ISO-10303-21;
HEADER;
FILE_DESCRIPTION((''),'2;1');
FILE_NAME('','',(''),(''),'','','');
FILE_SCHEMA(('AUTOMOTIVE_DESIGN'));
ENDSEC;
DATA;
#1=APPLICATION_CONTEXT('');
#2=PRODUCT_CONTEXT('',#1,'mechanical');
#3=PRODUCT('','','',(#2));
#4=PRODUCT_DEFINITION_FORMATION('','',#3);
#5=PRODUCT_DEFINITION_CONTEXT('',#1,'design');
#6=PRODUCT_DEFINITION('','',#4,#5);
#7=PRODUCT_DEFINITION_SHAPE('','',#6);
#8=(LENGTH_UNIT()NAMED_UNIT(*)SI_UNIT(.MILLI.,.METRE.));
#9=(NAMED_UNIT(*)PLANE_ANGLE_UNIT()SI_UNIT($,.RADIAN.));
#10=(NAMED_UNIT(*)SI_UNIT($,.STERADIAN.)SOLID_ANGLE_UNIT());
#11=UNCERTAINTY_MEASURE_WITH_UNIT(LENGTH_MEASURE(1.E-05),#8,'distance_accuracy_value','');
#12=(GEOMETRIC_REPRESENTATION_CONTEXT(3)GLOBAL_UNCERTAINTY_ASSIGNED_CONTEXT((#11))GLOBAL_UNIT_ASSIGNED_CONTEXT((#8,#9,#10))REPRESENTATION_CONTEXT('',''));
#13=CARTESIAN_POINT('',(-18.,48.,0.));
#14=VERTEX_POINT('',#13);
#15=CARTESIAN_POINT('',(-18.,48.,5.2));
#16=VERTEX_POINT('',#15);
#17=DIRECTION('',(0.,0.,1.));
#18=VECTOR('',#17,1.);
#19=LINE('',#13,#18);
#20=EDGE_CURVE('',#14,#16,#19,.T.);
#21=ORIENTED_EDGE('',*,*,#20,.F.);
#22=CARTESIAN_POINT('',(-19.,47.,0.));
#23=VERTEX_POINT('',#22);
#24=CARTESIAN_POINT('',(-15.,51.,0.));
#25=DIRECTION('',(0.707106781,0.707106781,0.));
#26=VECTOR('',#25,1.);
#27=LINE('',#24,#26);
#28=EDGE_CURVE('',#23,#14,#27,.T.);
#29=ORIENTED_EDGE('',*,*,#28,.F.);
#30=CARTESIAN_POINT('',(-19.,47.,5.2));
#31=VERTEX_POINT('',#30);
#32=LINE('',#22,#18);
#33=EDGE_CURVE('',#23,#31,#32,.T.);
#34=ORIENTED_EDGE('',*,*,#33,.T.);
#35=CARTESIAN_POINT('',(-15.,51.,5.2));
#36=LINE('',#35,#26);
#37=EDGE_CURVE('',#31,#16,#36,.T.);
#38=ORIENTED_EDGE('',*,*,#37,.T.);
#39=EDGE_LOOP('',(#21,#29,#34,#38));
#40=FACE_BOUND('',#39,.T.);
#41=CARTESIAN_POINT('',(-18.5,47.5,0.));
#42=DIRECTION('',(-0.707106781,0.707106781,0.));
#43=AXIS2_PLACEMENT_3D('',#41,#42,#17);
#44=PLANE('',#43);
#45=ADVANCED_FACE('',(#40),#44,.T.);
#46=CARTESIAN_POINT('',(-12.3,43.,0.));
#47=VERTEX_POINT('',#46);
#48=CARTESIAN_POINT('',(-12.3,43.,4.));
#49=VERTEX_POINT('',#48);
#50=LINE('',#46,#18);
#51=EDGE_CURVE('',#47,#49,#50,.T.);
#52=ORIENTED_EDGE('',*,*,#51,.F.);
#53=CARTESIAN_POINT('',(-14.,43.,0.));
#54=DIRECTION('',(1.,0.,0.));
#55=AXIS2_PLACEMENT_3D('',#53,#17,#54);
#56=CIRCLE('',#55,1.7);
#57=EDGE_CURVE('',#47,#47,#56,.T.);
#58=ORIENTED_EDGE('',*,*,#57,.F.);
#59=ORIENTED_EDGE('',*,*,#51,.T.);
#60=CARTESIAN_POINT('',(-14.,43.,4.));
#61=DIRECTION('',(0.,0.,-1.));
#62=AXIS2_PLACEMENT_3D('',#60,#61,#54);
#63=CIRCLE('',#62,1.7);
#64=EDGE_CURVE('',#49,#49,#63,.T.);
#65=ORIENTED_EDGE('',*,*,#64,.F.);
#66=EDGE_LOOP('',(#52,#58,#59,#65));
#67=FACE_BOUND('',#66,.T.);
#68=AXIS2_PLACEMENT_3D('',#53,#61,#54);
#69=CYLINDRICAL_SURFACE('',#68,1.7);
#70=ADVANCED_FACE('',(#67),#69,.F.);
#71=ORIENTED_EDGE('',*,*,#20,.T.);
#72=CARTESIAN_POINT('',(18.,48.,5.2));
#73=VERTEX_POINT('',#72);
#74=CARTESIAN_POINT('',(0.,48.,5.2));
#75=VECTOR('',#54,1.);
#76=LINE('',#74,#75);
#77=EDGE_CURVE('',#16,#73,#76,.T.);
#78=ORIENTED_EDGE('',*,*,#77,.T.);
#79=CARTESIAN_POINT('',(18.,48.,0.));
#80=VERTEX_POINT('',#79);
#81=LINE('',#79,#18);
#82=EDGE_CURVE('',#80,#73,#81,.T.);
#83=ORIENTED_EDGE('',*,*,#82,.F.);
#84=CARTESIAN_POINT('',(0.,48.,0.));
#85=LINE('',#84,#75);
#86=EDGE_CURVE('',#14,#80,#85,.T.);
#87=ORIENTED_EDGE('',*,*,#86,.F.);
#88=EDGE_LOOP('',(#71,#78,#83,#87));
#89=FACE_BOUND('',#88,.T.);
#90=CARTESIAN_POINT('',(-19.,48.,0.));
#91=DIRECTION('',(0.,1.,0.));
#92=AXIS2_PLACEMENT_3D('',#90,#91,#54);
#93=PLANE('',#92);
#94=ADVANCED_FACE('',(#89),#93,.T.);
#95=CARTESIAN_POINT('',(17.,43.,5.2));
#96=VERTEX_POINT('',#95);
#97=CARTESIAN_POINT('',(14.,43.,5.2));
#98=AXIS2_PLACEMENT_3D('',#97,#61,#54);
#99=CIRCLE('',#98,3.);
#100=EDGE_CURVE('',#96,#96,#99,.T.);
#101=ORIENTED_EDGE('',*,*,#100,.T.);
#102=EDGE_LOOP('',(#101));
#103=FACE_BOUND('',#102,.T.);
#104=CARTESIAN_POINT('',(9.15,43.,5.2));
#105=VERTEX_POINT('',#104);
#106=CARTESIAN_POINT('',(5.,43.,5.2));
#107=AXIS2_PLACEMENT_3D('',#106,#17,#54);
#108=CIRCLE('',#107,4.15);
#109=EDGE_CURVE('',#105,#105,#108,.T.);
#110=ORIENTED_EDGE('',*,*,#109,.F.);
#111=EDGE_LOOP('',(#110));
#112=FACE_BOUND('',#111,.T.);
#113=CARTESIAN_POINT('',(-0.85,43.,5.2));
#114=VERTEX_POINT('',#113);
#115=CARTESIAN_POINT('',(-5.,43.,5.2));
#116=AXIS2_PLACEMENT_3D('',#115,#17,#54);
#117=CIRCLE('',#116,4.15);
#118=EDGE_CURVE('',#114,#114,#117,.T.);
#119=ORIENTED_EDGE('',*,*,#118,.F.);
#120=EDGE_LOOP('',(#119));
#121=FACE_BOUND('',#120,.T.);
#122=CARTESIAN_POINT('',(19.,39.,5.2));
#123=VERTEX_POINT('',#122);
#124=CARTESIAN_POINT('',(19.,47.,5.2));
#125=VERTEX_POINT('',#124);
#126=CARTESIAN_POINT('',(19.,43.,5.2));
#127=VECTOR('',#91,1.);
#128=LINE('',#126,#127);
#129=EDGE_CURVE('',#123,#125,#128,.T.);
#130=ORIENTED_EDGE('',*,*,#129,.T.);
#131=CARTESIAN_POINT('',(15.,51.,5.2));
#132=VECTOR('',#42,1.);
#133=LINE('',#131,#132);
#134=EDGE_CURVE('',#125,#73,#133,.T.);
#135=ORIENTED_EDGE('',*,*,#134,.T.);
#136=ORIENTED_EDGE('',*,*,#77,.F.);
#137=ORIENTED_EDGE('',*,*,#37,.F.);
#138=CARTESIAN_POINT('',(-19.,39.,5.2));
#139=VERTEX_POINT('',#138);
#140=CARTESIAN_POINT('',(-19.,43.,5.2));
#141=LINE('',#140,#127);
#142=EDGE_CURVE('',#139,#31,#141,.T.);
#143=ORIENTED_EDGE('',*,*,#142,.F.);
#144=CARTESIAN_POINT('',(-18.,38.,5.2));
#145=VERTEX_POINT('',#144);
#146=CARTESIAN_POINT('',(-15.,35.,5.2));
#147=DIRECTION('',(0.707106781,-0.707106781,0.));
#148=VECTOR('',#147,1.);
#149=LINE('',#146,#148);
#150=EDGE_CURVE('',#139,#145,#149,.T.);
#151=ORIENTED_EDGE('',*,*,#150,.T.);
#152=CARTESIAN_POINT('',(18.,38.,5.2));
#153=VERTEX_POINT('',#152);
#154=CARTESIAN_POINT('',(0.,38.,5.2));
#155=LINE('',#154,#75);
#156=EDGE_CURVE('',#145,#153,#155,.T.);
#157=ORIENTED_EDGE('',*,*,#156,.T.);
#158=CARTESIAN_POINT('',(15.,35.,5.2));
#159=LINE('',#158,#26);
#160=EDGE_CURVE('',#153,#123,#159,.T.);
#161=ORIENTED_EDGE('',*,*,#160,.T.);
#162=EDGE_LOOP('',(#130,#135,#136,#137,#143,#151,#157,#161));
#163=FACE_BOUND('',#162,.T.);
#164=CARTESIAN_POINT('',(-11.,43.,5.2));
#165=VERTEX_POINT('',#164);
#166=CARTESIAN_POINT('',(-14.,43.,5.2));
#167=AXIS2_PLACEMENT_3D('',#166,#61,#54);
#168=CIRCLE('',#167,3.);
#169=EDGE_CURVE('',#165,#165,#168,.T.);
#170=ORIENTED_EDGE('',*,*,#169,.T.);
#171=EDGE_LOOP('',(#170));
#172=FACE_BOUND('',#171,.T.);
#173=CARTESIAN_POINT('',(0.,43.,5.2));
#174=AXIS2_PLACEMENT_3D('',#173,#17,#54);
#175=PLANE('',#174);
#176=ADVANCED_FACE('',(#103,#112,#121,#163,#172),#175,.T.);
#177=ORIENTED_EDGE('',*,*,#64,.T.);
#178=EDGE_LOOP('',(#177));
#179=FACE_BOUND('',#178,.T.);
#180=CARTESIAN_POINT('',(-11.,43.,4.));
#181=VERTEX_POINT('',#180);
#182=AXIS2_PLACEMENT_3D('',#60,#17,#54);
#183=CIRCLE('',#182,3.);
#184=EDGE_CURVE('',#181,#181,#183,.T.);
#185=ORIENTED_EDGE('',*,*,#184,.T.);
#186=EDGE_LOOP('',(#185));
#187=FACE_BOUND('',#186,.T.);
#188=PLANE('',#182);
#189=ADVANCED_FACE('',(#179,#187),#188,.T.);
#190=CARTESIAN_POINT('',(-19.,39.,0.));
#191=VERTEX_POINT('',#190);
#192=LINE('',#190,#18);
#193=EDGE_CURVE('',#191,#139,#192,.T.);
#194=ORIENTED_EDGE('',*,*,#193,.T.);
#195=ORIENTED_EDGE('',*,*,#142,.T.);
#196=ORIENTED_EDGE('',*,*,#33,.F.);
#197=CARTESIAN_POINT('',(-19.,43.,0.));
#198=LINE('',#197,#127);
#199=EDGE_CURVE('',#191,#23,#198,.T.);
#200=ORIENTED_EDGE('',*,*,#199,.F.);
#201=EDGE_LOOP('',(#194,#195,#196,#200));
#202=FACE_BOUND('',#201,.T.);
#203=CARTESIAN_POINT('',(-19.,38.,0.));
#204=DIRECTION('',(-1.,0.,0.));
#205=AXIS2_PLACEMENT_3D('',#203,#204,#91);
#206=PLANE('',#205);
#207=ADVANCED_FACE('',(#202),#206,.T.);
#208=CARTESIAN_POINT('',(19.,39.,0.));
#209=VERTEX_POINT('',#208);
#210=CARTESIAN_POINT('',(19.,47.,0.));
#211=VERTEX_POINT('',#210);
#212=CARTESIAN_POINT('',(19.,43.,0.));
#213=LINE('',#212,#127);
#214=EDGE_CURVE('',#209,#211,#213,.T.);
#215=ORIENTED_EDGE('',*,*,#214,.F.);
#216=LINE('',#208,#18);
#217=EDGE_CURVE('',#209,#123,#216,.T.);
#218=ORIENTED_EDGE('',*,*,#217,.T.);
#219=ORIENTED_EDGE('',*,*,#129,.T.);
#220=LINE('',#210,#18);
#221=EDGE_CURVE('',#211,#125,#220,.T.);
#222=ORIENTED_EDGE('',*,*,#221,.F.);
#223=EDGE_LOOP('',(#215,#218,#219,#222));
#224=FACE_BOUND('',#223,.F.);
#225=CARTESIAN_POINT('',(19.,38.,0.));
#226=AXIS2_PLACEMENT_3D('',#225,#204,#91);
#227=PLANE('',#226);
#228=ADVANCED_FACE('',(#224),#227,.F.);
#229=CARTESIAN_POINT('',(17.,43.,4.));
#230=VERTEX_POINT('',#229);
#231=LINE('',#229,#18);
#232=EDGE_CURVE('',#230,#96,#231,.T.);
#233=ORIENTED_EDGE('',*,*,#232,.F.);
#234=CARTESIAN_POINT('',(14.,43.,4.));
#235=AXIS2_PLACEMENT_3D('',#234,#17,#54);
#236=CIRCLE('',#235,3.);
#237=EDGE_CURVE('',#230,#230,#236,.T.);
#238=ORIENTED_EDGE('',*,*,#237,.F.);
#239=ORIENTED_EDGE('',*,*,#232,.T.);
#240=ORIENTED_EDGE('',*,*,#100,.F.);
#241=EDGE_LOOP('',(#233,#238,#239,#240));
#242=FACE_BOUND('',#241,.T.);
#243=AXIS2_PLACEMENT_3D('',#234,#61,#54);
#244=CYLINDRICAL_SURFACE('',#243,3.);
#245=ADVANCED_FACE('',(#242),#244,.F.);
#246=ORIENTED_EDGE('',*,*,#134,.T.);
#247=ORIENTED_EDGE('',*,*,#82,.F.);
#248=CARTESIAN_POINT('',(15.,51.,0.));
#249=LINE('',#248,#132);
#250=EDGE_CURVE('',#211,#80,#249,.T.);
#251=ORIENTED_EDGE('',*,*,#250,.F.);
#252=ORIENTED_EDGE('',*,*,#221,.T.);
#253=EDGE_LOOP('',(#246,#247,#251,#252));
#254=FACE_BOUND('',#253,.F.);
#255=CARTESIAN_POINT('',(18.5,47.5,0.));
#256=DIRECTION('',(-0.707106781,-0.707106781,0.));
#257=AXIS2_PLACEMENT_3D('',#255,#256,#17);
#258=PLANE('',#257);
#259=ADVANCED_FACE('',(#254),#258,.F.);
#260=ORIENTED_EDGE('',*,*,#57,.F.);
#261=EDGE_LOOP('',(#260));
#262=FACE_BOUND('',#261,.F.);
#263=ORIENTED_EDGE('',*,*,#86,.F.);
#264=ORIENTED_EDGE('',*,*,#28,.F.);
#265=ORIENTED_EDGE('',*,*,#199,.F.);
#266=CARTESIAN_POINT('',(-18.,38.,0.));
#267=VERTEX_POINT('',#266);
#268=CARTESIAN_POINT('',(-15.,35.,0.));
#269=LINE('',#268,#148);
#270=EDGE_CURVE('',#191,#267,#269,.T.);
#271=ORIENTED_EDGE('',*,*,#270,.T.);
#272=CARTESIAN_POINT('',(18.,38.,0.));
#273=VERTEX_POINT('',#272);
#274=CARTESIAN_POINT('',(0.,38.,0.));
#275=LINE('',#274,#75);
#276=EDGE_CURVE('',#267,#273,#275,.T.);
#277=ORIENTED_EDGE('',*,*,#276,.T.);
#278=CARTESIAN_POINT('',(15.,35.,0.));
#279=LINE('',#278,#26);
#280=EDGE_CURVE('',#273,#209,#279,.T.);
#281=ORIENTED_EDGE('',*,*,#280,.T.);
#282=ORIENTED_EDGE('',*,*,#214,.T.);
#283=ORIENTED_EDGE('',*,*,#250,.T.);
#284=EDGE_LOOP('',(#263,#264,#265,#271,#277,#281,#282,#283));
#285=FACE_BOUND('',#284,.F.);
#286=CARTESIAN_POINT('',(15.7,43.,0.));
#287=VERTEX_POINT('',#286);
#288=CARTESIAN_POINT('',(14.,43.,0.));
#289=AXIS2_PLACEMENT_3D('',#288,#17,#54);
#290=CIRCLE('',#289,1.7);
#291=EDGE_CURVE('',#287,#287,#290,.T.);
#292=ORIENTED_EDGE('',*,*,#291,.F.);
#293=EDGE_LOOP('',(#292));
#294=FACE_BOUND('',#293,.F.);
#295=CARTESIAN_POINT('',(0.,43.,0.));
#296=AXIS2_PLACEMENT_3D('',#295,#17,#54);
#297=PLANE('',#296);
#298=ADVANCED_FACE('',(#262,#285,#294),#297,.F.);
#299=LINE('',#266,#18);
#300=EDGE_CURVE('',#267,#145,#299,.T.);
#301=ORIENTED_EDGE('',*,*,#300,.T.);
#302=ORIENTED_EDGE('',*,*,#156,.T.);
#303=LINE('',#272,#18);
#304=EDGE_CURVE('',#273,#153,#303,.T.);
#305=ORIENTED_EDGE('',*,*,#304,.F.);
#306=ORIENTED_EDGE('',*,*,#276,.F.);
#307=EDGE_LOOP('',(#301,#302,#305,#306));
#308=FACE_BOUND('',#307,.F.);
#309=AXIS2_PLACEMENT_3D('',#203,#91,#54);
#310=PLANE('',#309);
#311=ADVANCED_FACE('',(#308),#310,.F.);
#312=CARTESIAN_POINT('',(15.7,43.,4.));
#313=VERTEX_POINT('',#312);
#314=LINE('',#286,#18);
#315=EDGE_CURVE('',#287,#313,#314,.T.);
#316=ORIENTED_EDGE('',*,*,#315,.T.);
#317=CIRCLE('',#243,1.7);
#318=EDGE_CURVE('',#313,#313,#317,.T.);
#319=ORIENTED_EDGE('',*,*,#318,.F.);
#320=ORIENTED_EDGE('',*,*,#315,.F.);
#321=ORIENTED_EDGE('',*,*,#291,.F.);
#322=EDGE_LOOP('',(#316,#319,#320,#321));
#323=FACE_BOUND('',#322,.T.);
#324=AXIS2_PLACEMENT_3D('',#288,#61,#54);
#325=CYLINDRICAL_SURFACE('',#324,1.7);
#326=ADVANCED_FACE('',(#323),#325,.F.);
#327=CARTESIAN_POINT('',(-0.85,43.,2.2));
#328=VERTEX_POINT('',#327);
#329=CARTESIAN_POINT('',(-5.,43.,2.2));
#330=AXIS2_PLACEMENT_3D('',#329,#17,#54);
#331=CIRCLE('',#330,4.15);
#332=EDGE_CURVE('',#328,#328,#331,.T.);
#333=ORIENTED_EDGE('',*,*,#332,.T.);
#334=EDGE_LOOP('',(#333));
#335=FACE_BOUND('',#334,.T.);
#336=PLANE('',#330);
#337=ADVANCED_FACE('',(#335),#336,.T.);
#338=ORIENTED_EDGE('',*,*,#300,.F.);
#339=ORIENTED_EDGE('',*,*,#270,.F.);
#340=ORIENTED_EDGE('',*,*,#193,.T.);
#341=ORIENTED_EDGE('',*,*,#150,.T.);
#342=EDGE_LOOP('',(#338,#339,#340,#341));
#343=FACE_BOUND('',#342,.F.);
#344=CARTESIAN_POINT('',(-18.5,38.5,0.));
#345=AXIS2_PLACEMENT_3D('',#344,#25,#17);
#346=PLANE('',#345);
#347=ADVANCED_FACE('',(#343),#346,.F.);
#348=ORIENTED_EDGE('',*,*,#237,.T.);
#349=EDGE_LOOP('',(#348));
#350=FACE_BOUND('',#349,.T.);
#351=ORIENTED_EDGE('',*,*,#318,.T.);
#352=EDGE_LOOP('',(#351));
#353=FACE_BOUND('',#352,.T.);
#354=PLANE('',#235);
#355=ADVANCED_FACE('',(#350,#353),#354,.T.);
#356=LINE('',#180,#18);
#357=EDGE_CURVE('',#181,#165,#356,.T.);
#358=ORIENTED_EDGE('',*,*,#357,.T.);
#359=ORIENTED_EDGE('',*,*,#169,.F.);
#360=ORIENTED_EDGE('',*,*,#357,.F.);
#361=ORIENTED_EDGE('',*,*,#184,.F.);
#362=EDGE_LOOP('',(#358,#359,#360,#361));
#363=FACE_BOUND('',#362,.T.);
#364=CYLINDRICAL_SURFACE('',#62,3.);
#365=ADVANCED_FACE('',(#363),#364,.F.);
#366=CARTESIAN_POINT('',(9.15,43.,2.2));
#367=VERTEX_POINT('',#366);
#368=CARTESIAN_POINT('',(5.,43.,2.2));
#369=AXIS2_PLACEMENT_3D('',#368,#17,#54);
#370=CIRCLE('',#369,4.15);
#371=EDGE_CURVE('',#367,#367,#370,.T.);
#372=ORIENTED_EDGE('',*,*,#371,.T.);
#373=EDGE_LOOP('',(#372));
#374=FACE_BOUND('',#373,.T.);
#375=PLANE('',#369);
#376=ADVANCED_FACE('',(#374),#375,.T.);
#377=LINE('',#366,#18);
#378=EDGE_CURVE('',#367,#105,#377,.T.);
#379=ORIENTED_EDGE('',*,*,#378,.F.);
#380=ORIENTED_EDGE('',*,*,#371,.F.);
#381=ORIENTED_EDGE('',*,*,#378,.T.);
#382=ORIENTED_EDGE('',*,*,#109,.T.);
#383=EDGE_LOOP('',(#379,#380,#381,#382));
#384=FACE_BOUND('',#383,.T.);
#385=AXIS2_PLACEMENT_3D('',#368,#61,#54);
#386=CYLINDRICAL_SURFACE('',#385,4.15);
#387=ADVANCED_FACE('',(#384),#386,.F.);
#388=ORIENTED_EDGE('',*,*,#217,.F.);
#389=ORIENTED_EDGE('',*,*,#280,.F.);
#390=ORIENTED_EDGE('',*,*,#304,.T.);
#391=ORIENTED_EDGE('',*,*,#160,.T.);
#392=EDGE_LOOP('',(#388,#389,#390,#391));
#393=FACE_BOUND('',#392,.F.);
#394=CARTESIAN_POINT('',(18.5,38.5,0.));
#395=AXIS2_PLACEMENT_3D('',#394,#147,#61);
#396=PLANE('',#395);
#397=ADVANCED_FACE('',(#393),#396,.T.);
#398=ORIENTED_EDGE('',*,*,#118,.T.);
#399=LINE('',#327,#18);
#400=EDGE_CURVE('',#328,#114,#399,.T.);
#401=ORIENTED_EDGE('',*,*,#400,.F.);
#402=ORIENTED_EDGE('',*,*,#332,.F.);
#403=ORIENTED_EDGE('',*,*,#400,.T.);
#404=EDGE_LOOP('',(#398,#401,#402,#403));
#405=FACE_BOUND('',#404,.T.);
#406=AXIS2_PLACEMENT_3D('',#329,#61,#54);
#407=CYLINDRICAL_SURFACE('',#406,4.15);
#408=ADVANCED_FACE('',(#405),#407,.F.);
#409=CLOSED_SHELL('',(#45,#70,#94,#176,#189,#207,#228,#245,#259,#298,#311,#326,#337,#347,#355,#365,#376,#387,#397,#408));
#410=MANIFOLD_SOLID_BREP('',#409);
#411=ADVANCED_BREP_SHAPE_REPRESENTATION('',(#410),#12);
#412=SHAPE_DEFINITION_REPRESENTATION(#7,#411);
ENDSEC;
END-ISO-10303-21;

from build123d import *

# Parameters (mm, degrees)
CYLINDER012_R      = 4.15
CYLINDER012_DEPTH  = 3
CYLINDER013_R      = 4.15
CYLINDER013_DEPTH  = 3
CYLINDER016_R      = 3
CYLINDER016_DEPTH  = 2
CYLINDER017_R      = 3
CYLINDER017_DEPTH  = 2
CYLINDER015_R      = 1.7
CYLINDER015_DEPTH  = 10
CYLINDER014_R      = 1.7
CYLINDER014_DEPTH  = 10
BOX008_W           = 38
BOX008_H           = 10
BOX008_DEPTH       = 5.2
CHAMFER005008_SIZE = 1


with BuildPart() as cylinder012:
    # Cylinder012 → Cylinder012 (new body)
    with BuildSketch(Plane(origin=(-5, 0, 2.2), x_dir=(1, 0, 0), z_dir=(0, 0, 1))):
        Circle(CYLINDER012_R)
    extrude(amount=CYLINDER012_DEPTH)


with BuildPart() as fusion020006007003002013006002_body:
    # Cylinder013 → Cylinder013 (new body)
    with BuildSketch(Plane(origin=(5, 0, 2.2), x_dir=(1, 0, 0), z_dir=(0, 0, 1))):
        Circle(CYLINDER013_R)
    extrude(amount=CYLINDER013_DEPTH)

    # Fusion020006007003002013006002005002002015002007: union Cylinder012
    add(cylinder012.part)


with BuildPart() as cylinder016:
    # Cylinder016 → Cylinder016 (new body)
    with BuildSketch(Plane(origin=(14, 0, 0), x_dir=(1, 0, 0), z_dir=(0, 0, 1))):
        Circle(CYLINDER016_R)
    extrude(amount=CYLINDER016_DEPTH)


with BuildPart() as fusion020006007003002013006002_body2:
    # Cylinder017 → Cylinder017 (new body)
    with BuildSketch(Plane(origin=(-14, 0, 0), x_dir=(1, 0, 0), z_dir=(0, 0, 1))):
        Circle(CYLINDER017_R)
    extrude(amount=CYLINDER017_DEPTH)

    # Fusion020006007003002013006002005002002015002005: union Cylinder016
    add(cylinder016.part)


with BuildPart() as fusion020006007003002013006002_body2_1:
    # Fusion020006007003002013006002005002002015002005 placement: moved
    add(fusion020006007003002013006002_body2.part.moved(Location((0, 0, 4))))


with BuildPart() as cylinder015:
    # Cylinder015 → Cylinder015 (new body)
    with BuildSketch(Plane(origin=(14, 0, 0), x_dir=(1, 0, 0), z_dir=(0, 0, 1))):
        Circle(CYLINDER015_R)
    extrude(amount=CYLINDER015_DEPTH)


with BuildPart() as fusion020006007003002013006002_body3:
    # Cylinder014 → Cylinder014 (new body)
    with BuildSketch(Plane(origin=(-14, 0, 0), x_dir=(1, 0, 0), z_dir=(0, 0, 1))):
        Circle(CYLINDER014_R)
    extrude(amount=CYLINDER014_DEPTH)

    # Fusion020006007003002013006002005002002015002006: union Cylinder015
    add(cylinder015.part)


with BuildPart() as round_magnet_mounter:
    # Box008 → Box008 (new body)
    with BuildSketch(Plane(origin=(-19, -5, 0), x_dir=(1, 0, 0), z_dir=(0, 0, 1))):
        with Locations((19, 5)):
            Rectangle(BOX008_W, BOX008_H)
    extrude(amount=BOX008_DEPTH)

    # Chamfer005008
    chamfer005008_edges = [round_magnet_mounter.edges().sort_by_distance(p)[0] for p in [
        (-19, -5, 2.6),
        (-19, 5, 2.6),
        (19, -5, 2.6),
        (19, 5, 2.6),
    ]]
    chamfer(chamfer005008_edges, length=CHAMFER005008_SIZE)

    # Cut004: cut Fusion020006007003002013006002 body3
    add(fusion020006007003002013006002_body3.part, mode=Mode.SUBTRACT)

    # Cut005: cut Fusion020006007003002013006002 body2
    add(fusion020006007003002013006002_body2_1.part, mode=Mode.SUBTRACT)

    # Cut006: cut Fusion020006007003002013006002 body
    add(fusion020006007003002013006002_body.part, mode=Mode.SUBTRACT)


with BuildPart() as round_magnet_mounter_1:
    # Cut006 placement: moved
    add(round_magnet_mounter.part.moved(Location((0, 43, 0))))


solid = round_magnet_mounter_1.part
